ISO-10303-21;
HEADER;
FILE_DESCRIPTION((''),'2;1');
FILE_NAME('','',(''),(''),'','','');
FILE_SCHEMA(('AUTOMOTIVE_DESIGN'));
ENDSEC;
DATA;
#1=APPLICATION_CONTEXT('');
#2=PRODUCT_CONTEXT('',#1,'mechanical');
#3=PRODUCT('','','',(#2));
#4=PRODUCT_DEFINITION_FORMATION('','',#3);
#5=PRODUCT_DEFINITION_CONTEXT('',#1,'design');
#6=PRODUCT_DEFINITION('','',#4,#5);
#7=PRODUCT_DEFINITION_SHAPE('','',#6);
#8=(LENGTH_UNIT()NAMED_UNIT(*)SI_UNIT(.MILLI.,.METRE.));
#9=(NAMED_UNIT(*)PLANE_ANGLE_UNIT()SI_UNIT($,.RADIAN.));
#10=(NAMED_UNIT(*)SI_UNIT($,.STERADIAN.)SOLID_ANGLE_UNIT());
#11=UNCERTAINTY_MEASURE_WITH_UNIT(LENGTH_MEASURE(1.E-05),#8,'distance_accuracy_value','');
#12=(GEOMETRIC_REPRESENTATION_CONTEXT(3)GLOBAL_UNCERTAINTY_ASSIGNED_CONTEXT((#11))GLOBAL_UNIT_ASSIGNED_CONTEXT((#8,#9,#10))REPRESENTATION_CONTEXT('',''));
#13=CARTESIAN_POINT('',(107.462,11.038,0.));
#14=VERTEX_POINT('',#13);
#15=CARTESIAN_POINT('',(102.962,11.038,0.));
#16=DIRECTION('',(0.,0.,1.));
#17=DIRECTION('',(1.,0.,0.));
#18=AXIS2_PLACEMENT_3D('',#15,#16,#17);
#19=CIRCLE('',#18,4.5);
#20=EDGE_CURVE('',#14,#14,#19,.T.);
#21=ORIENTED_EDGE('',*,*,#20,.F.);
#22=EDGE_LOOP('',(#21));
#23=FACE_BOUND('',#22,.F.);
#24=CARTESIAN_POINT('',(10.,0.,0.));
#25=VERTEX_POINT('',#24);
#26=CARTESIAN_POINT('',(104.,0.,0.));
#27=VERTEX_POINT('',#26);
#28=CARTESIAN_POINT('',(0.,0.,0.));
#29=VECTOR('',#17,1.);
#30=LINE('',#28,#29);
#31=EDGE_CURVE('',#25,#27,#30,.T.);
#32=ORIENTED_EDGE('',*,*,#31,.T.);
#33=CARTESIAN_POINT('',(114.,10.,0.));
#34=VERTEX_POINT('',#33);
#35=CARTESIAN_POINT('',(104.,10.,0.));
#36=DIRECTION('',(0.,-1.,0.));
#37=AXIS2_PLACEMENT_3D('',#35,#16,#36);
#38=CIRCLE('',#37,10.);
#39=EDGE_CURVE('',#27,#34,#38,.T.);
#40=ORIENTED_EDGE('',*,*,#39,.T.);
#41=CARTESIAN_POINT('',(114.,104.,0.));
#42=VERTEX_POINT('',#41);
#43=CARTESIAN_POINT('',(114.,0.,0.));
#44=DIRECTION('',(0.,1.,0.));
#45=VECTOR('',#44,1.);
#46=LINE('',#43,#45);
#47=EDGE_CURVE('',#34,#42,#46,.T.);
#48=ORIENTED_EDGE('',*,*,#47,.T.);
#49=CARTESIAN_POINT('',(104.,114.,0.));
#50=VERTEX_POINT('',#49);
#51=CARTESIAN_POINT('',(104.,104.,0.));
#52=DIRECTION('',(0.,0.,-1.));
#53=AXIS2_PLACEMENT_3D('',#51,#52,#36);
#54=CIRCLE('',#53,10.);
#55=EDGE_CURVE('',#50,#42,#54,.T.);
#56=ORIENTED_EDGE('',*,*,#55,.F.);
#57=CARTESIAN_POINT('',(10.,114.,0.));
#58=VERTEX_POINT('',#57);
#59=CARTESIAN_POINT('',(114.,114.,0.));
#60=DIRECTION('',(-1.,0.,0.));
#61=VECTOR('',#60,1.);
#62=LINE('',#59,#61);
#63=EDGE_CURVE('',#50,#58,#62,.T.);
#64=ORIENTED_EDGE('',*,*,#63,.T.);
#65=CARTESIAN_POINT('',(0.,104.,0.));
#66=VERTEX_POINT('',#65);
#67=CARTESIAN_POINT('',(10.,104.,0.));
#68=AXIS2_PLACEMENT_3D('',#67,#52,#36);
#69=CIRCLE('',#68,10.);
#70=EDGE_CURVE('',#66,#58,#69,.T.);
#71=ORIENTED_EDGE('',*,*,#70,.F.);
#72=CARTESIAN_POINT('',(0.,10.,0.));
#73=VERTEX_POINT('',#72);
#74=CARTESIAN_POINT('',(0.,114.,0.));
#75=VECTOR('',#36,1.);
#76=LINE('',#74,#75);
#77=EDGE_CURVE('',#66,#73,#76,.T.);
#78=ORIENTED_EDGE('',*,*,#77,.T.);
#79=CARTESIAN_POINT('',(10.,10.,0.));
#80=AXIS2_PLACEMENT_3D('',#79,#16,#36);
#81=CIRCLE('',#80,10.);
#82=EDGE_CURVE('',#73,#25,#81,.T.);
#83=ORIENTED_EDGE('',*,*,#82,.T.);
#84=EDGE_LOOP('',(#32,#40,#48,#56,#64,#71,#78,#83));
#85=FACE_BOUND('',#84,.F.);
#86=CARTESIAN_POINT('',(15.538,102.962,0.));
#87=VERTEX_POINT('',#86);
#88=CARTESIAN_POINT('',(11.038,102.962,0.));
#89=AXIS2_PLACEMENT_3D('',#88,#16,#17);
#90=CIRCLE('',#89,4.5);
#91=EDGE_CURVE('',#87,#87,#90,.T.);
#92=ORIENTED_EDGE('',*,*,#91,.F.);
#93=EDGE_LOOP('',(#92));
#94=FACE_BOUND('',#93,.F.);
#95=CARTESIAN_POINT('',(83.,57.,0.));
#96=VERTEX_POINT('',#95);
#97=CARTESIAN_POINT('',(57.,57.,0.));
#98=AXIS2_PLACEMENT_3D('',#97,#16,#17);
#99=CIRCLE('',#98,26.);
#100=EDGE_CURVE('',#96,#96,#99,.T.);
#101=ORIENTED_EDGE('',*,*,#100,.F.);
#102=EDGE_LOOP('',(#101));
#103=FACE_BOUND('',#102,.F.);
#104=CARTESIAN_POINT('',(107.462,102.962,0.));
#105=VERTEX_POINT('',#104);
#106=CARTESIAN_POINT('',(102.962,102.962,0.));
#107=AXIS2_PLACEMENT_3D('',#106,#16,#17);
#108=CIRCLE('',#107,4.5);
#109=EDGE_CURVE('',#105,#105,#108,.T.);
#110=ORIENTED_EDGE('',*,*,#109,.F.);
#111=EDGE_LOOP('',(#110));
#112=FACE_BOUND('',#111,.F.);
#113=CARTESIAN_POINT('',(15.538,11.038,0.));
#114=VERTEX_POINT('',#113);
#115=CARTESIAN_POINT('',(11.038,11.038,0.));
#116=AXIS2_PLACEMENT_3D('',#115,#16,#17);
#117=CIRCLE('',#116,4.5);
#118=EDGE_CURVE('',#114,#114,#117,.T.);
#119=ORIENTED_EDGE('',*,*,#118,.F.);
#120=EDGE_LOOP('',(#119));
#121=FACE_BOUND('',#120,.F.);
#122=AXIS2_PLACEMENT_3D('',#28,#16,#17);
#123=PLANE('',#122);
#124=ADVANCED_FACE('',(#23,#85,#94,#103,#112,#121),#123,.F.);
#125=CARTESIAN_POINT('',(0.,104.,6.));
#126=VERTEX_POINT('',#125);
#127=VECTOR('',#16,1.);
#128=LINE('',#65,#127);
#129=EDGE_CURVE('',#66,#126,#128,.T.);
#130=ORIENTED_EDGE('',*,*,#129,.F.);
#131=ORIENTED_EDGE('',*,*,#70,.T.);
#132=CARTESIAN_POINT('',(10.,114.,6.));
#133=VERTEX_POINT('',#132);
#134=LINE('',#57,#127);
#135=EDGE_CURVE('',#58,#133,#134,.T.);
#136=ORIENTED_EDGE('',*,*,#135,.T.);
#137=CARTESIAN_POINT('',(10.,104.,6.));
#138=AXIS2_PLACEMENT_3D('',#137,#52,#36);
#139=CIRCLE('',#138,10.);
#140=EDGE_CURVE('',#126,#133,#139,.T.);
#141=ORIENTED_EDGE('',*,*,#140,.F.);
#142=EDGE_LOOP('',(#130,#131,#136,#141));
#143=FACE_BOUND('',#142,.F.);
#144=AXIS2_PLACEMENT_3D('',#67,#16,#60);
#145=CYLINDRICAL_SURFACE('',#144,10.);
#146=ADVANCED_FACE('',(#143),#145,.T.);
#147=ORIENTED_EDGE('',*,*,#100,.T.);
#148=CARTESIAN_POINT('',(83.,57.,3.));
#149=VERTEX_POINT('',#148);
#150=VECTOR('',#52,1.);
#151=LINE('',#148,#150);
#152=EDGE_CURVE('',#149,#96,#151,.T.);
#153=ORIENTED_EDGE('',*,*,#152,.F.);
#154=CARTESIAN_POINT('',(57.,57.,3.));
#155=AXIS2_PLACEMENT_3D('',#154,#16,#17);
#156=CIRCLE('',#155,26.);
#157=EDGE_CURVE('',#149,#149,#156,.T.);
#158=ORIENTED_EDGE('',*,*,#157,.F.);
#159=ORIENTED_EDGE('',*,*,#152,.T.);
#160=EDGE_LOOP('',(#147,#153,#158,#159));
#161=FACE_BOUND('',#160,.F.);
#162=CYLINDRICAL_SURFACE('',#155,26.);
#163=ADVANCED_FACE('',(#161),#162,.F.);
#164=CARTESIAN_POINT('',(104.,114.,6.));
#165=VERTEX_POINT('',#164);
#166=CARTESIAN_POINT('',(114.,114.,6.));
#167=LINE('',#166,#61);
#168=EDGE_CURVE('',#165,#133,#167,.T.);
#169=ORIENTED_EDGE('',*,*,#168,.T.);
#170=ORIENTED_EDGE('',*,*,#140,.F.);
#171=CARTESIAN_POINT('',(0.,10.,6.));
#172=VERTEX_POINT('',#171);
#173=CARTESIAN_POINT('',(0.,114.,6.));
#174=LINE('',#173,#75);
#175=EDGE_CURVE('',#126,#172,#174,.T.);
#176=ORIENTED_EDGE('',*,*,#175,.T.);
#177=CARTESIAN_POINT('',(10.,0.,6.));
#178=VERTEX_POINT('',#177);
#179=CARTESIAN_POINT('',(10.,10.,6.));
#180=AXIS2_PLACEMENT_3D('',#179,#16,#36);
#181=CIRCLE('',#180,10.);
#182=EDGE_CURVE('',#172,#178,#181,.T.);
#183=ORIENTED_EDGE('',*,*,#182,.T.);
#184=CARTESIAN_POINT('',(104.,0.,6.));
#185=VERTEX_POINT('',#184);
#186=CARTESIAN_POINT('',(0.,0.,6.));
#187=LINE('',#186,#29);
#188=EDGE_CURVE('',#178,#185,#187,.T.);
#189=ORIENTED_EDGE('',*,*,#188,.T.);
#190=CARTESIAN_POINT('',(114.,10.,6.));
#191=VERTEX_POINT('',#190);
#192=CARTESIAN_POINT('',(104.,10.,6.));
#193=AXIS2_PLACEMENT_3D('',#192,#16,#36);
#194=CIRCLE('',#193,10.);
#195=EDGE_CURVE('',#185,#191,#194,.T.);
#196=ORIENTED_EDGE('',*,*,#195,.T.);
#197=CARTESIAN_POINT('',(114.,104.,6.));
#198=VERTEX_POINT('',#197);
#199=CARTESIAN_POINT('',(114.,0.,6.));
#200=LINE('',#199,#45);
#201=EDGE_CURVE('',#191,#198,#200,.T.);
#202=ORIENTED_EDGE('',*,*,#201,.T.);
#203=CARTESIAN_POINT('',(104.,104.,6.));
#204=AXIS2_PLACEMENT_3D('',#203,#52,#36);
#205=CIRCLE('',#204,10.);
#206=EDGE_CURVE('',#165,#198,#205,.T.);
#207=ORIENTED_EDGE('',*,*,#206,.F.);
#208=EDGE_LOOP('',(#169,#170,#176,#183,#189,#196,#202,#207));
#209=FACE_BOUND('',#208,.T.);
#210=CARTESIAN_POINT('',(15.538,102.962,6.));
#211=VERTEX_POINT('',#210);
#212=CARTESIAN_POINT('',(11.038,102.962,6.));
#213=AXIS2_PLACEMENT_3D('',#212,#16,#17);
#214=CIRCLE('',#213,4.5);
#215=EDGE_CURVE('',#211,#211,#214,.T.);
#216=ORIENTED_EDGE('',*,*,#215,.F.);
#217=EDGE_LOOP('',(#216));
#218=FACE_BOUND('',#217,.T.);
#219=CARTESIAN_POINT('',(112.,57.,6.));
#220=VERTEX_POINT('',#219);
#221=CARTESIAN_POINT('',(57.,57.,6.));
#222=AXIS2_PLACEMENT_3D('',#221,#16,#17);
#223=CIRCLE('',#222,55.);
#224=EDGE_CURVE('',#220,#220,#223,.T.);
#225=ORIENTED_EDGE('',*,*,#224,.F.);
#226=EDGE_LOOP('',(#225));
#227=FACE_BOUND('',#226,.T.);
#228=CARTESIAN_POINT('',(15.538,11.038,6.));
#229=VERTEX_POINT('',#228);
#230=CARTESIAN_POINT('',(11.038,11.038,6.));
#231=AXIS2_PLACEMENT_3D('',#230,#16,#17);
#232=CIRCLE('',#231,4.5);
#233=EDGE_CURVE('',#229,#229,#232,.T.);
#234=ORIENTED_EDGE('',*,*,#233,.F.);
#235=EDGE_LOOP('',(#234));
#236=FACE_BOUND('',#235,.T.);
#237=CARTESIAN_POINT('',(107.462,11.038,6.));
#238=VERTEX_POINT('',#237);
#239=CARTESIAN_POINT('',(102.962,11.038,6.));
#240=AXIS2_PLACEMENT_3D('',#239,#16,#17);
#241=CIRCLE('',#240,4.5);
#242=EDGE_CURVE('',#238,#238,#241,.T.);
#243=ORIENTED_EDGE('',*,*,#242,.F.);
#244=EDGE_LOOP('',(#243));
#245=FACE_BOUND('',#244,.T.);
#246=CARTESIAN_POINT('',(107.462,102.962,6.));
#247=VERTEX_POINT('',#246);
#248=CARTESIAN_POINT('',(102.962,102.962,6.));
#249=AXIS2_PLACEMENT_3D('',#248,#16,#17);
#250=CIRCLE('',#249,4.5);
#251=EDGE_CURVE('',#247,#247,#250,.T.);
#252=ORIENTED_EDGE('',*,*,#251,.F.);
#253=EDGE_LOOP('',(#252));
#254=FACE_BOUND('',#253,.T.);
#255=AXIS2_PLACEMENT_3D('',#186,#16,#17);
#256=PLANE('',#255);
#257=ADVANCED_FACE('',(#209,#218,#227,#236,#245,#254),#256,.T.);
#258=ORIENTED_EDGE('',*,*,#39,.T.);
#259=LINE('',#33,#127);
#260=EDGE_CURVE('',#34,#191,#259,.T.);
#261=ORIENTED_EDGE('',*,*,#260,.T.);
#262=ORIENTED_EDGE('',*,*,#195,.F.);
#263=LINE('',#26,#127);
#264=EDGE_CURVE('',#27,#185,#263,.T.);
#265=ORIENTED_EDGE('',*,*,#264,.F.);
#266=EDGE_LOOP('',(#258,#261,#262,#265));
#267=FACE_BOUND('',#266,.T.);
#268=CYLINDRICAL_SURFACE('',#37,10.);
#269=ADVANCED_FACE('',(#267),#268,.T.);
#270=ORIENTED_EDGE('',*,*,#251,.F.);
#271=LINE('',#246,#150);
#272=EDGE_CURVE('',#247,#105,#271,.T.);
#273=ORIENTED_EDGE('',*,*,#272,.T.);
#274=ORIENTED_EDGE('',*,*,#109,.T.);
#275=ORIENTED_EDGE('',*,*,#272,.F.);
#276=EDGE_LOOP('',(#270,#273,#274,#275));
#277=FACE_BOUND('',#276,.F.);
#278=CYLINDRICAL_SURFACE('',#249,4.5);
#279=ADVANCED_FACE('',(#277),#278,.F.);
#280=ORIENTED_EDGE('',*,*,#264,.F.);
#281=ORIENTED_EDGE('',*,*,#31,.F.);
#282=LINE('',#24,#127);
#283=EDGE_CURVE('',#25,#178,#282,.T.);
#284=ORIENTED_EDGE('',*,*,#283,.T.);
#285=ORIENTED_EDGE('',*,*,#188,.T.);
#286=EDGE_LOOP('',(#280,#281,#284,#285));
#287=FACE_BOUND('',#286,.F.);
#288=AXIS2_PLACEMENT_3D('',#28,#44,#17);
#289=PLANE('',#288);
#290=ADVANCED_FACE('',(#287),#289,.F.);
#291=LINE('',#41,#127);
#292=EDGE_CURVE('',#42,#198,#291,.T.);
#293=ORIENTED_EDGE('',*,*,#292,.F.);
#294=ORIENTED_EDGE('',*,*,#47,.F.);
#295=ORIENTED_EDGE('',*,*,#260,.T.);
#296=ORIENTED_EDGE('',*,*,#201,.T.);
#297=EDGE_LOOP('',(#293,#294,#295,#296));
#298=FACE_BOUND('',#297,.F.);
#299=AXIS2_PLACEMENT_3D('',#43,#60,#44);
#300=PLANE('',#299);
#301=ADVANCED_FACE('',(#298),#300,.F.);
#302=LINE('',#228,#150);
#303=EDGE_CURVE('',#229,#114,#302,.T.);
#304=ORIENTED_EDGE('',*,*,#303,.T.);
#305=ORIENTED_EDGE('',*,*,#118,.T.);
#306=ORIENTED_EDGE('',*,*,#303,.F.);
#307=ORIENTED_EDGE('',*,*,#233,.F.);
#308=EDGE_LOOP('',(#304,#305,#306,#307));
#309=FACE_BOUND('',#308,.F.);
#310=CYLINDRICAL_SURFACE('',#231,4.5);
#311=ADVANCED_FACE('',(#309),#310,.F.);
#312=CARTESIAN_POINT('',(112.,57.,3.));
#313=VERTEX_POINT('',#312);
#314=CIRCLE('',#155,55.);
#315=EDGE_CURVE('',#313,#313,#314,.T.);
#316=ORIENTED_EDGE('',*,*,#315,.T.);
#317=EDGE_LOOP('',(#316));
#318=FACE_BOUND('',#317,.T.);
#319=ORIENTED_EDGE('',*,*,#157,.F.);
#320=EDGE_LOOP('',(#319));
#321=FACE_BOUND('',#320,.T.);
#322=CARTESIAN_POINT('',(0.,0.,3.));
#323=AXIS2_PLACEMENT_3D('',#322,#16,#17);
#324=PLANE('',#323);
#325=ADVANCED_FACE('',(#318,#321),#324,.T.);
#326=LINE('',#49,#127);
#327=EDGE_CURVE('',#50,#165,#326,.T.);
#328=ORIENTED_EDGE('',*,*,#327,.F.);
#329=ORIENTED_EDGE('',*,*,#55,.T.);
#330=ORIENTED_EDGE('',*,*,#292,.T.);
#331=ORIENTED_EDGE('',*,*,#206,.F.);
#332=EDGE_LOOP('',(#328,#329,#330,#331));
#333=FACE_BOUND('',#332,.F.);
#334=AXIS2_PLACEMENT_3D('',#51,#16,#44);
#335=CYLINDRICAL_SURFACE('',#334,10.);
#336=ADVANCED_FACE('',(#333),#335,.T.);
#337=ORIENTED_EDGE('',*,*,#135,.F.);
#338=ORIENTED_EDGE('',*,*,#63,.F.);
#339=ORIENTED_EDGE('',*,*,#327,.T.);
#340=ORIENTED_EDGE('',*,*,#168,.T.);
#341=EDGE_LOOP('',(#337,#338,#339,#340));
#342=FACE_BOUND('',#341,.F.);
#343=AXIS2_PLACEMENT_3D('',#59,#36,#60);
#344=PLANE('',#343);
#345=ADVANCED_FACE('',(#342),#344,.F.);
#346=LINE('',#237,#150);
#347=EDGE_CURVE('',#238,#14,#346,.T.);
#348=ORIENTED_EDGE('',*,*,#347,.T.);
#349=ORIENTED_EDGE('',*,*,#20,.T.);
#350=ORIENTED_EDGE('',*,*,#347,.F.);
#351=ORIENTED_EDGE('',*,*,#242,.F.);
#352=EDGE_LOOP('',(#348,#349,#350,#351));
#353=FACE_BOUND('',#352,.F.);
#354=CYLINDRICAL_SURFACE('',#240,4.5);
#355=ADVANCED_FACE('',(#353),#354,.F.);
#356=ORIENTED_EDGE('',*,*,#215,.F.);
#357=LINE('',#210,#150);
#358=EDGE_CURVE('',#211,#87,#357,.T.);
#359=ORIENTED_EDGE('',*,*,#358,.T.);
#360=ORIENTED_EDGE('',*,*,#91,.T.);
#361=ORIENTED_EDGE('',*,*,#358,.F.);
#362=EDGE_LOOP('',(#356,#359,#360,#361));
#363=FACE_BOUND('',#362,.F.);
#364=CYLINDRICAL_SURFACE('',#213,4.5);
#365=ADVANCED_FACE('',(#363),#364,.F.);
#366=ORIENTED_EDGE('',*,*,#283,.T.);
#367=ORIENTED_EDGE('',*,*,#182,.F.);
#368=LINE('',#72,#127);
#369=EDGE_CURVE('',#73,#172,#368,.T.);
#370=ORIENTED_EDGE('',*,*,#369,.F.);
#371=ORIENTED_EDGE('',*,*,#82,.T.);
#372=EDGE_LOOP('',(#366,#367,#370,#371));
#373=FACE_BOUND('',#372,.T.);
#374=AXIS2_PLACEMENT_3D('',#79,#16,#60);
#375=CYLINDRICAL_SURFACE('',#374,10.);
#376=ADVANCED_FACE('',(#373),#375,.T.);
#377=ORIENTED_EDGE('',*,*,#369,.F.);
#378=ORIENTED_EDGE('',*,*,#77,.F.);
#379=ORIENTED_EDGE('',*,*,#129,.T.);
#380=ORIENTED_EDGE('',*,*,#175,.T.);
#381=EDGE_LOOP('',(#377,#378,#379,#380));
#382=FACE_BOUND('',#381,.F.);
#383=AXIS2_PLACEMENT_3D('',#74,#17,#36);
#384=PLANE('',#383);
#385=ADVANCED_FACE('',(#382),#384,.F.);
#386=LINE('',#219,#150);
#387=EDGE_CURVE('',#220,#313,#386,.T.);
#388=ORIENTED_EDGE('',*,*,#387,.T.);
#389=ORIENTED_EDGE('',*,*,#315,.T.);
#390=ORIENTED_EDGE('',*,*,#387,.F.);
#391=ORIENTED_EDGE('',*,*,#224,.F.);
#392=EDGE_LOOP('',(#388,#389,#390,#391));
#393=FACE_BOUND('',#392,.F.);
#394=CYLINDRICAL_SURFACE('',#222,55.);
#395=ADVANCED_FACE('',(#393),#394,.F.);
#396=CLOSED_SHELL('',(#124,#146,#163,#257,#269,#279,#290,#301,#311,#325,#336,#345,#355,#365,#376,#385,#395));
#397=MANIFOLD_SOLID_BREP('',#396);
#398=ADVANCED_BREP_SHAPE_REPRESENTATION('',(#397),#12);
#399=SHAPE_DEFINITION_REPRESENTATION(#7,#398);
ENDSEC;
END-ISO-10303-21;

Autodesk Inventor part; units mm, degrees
ref_plane "YZ Plane" through (0, 0, 0) normal (1, 0, 0) x (0, 1, 0)
ref_plane "XZ Plane" through (0, 0, 0) normal (0, 1, 0) x (-1, 0, 0)
ref_plane "XY Plane" through (0, 0, 0) normal (0, 0, 1) x (1, 0, 0)
sketch "Sketch1" plane through (0, 0, 0) normal (0, 0, 1) x (1, 0, 0)
  line L0 (0, 0) -> (114, 0)
  line L1 (114, 0) -> (114, 114)
  line L2 (114, 114) -> (0, 114)
  line L3 (0, 114) -> (0, 0)
  dimension "d0" = 114
  dimension "d1" = 114
extrude "Extrusion1" add sketch "Sketch1" along normal blind 6
sketch "Sketch2" plane through (0, 0, 6) normal (0, 0, 1) x (1, 0, 0)
  circle A0 centre (57, 57) radius 55
  line L0 (0, 114) -> (0, 0) projected
  line L1 (0, 0) -> (114, 0) projected
  dimension "d4" = 110
  dimension "d5" = 57
  dimension "d6" = 57
extrude "Extrusion2" cut sketch "Sketch2" against normal blind 3
fillet "Fillet1" radius 10 1 edges at (0, 114, 3)
fillet "Fillet2" radius 10 3 edges at (114, 114, 3) (114, 0, 3) (0, 0, 3)
sketch "Sketch3" plane through (0, 0, 6) normal (0, 0, 1) x (1, 0, 0)
  circle A0 centre (11.038, 11.038) radius 4.5
  line L0 (10, 0) -> (104, 0) projected
  line L1 (0, 104) -> (0, 10) projected
  circle A1 centre (11.038, 102.962) radius 4.5
  circle A2 centre (102.962, 102.962) radius 4.5
  circle A3 centre (102.962, 11.038) radius 4.5
  line L2 (104, 114) -> (10, 114) projected
  line L3 (114, 10) -> (114, 104) projected
  point P0 (0, 0)
  dimension "d11" = 9
  dimension "d12" = 11.038
  dimension "d13" = 11.038
  dimension "d14" = 9
  dimension "d15" = 9
  dimension "d16" = 9
  dimension "d17" = 11.038
  dimension "d18" = 11.038
  dimension "d19" = 11.038
  dimension "d20" = 11.038
  dimension "d21" = 11.038
  dimension "d22" = 11.038
extrude "Extrusion3" cut sketch "Sketch3" against normal blind 6
sketch "Sketch4" plane through (57, 57, 3) normal (0, 0, 1) x (1, 0, 0)
  circle A0 centre (0, 0) radius 26
  line L0 (-57, 47) -> (-57, -47) projected
  line L1 (-47, -57) -> (47, -57) projected
  point P0 (-57, -57)
  point P1 (0, -57)
  dimension "d25" = 52
  dimension "d26" = 57
  dimension "d27" = 57
extrude "Extrusion4" cut sketch "Sketch4" against normal blind 10
equation "\"d6\" = d5"
equation "\"d13\" = d12"
equation "\"d17\" = d12"
equation "\"d18\" = d13"
equation "\"d19\" = d18"
equation "\"d20\" = d18"
equation "\"d21\" = d19"
equation "\"d22\" = d21"
properties part number "BackPlate"
